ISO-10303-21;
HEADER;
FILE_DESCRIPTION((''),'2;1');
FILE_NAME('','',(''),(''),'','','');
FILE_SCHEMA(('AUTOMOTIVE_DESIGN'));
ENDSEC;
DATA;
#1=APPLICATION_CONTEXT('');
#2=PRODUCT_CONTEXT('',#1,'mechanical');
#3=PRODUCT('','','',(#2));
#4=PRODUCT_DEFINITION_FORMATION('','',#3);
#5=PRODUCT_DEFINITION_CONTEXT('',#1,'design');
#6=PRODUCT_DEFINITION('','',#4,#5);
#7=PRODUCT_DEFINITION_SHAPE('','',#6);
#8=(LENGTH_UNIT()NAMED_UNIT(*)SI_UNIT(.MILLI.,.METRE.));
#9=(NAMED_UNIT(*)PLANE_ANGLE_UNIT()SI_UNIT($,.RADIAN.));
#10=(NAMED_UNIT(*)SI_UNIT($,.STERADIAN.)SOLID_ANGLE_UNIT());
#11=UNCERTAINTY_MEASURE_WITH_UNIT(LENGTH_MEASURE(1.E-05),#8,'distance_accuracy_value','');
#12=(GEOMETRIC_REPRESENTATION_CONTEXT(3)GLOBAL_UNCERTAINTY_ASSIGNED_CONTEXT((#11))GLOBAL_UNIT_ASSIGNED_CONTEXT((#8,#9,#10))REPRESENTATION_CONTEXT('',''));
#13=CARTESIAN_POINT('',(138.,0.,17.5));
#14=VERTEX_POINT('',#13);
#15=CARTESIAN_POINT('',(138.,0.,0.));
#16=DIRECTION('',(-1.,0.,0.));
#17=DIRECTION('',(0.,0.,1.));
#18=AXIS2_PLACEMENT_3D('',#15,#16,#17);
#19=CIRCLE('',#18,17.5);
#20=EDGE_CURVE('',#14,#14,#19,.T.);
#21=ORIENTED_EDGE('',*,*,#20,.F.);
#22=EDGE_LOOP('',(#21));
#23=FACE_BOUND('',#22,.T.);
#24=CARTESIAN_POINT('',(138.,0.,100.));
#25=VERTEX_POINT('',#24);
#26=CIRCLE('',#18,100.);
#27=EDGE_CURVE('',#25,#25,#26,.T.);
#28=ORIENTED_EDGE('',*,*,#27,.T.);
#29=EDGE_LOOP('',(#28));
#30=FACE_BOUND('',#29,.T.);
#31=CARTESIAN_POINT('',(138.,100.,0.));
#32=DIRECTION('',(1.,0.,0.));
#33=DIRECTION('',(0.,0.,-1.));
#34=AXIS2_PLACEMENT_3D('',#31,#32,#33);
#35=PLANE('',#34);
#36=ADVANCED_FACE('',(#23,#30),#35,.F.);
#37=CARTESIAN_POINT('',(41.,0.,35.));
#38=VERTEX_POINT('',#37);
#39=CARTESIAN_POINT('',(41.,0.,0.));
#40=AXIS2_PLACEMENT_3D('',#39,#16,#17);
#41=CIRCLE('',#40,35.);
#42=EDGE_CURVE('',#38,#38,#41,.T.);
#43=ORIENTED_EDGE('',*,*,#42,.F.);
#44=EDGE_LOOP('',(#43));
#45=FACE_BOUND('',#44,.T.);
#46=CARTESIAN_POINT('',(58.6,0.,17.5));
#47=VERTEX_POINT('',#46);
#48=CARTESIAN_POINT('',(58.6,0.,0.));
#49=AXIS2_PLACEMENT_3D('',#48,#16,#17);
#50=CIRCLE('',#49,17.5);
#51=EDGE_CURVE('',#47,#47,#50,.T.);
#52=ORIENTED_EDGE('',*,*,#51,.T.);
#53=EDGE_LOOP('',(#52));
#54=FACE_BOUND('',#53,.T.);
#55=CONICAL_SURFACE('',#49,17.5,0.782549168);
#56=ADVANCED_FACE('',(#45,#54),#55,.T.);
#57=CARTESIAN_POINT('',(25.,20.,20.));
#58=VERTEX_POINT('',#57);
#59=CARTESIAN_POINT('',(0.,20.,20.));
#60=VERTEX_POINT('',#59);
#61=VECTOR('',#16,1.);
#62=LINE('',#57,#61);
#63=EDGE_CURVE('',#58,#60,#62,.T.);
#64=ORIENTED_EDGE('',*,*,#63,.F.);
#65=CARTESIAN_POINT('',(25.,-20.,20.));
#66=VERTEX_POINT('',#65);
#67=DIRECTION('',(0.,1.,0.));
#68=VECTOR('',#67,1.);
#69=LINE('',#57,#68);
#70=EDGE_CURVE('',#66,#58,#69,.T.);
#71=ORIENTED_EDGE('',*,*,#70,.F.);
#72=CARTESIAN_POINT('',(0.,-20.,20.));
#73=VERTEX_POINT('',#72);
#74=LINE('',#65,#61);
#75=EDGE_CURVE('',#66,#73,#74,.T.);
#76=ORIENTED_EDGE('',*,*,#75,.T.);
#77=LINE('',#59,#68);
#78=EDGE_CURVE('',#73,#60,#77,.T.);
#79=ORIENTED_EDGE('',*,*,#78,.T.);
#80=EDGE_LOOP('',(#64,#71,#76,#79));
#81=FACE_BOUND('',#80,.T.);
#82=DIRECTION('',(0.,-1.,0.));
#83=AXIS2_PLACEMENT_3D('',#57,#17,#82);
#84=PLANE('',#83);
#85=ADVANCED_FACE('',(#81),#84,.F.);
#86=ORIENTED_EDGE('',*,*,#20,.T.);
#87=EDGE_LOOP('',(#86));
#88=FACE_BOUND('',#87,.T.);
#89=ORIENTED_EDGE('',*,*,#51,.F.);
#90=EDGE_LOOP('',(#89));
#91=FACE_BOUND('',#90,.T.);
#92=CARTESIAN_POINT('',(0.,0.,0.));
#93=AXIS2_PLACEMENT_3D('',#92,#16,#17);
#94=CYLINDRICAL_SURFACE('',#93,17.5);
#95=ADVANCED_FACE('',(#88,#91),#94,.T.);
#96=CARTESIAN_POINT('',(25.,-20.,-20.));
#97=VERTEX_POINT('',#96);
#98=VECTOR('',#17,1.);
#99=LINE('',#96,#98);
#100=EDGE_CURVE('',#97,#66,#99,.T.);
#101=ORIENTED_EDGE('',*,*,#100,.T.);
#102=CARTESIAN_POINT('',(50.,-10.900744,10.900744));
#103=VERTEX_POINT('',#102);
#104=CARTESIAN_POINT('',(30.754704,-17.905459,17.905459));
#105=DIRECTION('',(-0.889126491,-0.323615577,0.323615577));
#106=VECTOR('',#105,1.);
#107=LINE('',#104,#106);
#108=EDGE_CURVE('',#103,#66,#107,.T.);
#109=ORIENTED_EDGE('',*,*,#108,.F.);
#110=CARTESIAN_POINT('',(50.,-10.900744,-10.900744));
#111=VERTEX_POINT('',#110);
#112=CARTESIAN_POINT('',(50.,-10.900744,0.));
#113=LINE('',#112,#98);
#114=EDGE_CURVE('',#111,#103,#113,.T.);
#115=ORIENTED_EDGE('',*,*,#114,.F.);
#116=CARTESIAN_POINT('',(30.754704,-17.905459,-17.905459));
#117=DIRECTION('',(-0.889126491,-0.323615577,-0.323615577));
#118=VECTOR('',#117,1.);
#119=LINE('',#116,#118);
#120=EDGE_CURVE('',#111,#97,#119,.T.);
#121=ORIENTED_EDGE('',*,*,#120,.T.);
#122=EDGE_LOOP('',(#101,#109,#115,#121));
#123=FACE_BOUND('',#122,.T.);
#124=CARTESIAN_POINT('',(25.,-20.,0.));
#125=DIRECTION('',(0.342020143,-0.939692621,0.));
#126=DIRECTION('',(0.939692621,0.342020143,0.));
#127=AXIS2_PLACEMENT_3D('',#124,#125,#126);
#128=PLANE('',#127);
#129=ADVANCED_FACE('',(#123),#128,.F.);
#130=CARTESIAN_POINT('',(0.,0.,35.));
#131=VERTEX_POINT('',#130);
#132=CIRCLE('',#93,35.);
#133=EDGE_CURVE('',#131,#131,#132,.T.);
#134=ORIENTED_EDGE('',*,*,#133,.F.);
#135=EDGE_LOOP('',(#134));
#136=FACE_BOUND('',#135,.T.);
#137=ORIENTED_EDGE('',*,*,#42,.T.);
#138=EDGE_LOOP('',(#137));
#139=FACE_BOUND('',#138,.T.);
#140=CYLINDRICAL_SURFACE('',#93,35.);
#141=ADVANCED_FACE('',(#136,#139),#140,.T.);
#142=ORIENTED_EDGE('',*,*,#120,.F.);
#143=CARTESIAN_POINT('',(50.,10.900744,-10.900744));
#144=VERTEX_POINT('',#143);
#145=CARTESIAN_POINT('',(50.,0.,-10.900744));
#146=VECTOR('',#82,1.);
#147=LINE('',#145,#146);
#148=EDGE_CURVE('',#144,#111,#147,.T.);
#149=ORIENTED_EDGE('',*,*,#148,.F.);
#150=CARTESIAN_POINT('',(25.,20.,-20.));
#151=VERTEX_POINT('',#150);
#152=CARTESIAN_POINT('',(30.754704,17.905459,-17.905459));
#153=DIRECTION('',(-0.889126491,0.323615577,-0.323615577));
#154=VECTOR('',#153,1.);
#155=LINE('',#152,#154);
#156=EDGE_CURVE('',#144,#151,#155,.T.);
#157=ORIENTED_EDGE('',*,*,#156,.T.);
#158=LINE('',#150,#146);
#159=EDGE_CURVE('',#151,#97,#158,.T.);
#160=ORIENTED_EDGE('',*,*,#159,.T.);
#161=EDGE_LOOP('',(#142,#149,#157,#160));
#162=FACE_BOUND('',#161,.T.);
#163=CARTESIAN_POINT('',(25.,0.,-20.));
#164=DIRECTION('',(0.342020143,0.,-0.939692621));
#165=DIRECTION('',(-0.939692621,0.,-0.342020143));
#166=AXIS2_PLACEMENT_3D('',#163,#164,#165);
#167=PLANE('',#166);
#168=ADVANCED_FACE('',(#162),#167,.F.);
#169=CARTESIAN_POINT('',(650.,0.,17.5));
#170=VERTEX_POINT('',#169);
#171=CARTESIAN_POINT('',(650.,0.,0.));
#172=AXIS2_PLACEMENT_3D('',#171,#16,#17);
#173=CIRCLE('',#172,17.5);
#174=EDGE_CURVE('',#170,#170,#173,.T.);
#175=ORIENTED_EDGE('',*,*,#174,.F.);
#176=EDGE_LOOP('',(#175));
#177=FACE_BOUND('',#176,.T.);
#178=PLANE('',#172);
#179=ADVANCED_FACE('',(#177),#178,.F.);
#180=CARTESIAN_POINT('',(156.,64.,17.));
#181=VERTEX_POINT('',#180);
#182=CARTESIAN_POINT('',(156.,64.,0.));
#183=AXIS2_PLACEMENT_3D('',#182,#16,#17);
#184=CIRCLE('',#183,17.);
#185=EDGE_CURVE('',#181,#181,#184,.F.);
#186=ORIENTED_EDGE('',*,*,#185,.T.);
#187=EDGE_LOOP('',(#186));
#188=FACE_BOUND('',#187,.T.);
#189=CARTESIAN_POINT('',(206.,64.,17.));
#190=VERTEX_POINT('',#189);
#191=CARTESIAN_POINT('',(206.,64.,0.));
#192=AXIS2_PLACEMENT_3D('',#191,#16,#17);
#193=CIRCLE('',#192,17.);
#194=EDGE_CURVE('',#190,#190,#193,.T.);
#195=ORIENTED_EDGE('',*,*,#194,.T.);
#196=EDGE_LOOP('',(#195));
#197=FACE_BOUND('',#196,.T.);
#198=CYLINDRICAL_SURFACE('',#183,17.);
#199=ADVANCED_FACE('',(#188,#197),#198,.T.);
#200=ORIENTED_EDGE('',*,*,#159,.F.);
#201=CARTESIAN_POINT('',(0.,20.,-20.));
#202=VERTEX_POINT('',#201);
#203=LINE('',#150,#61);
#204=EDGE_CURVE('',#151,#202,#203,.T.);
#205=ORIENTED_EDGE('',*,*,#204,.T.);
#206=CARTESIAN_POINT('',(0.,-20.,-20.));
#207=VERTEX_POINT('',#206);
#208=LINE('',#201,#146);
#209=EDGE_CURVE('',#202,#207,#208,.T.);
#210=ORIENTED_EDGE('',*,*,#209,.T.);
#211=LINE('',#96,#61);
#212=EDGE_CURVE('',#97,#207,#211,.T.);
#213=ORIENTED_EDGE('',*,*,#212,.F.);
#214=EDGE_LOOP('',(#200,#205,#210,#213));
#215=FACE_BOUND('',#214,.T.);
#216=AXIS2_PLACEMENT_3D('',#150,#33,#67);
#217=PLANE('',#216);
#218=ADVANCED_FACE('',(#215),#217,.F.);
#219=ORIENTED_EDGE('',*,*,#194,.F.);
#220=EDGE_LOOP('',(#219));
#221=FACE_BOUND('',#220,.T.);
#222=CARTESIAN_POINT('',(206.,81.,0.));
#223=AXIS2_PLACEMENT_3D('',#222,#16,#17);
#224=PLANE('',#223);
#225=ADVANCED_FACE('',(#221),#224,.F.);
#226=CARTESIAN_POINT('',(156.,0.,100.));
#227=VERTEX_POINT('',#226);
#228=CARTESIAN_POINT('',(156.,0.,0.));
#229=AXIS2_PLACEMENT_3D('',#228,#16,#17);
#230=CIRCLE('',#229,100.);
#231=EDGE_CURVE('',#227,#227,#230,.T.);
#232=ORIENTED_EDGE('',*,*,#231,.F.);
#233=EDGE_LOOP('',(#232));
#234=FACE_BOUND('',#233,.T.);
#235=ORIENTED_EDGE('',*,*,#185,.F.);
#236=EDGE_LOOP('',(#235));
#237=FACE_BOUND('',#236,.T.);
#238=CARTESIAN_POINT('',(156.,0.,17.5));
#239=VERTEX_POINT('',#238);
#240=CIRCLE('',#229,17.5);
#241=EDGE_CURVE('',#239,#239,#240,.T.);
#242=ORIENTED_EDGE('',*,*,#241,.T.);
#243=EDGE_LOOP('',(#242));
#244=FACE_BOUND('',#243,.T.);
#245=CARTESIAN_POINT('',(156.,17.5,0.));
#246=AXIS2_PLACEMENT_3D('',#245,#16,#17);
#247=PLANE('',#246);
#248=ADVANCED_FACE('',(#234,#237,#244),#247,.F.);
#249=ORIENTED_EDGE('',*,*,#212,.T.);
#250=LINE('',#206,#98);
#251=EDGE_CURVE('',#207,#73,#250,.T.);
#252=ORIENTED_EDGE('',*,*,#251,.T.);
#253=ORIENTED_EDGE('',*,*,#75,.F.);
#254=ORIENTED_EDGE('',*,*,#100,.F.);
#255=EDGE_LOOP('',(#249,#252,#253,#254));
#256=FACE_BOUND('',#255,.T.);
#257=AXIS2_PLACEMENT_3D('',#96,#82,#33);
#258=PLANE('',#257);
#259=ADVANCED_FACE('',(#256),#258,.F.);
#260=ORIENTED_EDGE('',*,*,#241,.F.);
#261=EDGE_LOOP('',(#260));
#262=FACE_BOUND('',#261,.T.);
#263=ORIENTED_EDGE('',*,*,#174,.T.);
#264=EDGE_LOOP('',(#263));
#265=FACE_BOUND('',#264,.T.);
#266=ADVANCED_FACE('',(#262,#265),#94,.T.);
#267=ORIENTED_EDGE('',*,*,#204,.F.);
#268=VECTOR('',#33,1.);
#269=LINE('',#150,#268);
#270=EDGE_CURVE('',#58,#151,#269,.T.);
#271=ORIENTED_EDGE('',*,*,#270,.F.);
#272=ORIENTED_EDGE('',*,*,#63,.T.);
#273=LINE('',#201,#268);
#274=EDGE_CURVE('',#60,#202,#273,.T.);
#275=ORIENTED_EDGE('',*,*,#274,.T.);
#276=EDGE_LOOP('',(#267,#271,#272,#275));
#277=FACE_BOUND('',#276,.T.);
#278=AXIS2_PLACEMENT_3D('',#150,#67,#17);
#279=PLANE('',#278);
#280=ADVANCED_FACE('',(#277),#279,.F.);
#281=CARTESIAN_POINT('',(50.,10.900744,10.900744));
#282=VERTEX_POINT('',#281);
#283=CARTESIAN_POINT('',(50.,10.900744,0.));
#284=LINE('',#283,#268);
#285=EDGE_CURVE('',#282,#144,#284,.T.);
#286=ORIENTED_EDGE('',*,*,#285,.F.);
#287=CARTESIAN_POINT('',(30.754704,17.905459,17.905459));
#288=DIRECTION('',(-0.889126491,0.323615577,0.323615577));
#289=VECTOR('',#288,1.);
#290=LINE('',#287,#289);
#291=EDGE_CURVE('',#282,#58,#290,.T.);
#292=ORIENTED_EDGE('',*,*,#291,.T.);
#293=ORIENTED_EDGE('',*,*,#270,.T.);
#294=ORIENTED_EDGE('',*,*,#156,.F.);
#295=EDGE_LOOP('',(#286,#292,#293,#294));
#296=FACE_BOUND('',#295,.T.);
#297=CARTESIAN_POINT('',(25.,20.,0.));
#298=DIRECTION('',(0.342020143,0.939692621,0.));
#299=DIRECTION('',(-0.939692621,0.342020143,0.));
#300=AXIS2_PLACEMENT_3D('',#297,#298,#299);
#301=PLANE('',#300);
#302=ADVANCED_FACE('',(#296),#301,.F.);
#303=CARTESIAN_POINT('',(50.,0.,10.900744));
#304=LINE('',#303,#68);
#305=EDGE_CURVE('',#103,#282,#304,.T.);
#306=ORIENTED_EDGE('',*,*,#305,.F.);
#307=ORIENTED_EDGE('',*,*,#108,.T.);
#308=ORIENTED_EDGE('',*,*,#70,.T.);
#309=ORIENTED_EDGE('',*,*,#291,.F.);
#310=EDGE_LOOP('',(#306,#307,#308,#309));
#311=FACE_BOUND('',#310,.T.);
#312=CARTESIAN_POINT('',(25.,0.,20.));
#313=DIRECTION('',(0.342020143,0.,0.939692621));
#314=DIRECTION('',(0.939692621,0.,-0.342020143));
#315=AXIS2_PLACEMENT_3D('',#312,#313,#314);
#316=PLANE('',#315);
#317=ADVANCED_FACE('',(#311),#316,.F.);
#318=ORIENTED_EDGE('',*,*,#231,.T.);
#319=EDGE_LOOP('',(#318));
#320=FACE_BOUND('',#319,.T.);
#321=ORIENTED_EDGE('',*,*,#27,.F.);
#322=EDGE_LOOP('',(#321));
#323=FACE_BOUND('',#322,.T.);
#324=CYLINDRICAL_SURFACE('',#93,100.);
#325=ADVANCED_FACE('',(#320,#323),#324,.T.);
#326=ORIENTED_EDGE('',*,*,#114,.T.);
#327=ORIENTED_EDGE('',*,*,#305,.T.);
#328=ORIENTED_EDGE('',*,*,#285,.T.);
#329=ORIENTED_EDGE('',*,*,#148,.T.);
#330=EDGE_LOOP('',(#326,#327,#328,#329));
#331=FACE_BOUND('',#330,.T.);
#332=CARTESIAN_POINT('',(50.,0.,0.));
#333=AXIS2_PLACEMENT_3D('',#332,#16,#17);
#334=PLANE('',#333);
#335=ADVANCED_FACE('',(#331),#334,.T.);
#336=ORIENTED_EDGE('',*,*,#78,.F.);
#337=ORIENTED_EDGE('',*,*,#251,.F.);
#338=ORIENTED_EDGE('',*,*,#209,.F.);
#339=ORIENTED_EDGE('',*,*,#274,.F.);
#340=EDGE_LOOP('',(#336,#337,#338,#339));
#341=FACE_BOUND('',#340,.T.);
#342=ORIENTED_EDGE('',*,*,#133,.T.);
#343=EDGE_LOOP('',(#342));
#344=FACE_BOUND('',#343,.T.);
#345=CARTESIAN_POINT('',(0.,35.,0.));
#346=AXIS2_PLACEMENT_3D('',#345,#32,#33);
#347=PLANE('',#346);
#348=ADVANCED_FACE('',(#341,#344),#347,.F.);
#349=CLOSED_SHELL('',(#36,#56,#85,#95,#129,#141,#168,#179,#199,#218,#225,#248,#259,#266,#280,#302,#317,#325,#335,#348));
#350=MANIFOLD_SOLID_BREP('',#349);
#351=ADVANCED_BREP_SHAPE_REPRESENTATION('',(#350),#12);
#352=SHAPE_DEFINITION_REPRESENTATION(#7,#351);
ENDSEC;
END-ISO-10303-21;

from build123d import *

# Parameters (mm, degrees)
ESQUISSE2_W             = 50
ESQUISSE2_H             = 17
ESQUISSE3_W             = 40
ESQUISSE3_H             = 40
ENL_V_MAT_EXTRU_1_DEPTH = 25
ENL_V_START             = -25
ESQUISSE3_3_W           = 40
ESQUISSE3_3_H           = 40
ENL_V_MAT_EXTRU_2_DEPTH = 25
ENL_V_MAT_EXTRU_2_DRAFT = -20


with BuildPart() as part:
    # Esquisse1 → Révolution1 (revolve)
    with BuildSketch(Plane.XY, mode=Mode.PRIVATE) as r_volution1_sk:
        Polygon((650, 0), (650, 17.5), (156, 17.5), (156, 100), (138, 100), (138, 17.5), (58.6, 17.5), (41, 35), (0, 35), (0, 0), align=None)
    revolve(r_volution1_sk.sketch.rotate(Axis((0, 0, 0), (1, 0, 0)), 90), axis=Axis((0, 0, 0), (1, 0, 0)))

    # Esquisse2 → Révolution2 (revolve)
    with BuildSketch(Plane.XY, mode=Mode.PRIVATE) as r_volution2_sk:
        with Locations((181, 72.5)):
            Rectangle(ESQUISSE2_W, ESQUISSE2_H)
    revolve(r_volution2_sk.sketch.rotate(Axis((156, 64, 0), (1, 0, 0)), 90), axis=Axis((156, 64, 0), (1, 0, 0)))

    # Esquisse3 → Enlèv. mat.-Extru.1 (cut)
    with BuildSketch(Plane.ZY):
        Rectangle(ESQUISSE3_W, ESQUISSE3_H)
    extrude(amount=-ENL_V_MAT_EXTRU_1_DEPTH, mode=Mode.SUBTRACT)


with BuildPart() as enl_v_mat_extru_2_tool:
    # Esquisse3<3> → Enlèv. mat.-Extru.2 (with draft: the straight prism first)
    with BuildSketch(Plane.ZY.offset(ENL_V_START)):
        Rectangle(ESQUISSE3_3_W, ESQUISSE3_3_H)
    extrude(amount=-ENL_V_MAT_EXTRU_2_DEPTH)
    # Enlèv. mat.-Extru.2: the draft: its side faces are tilted about the plane it starts from
    enl_v_mat_extru_2_sides = [enl_v_mat_extru_2_tool.faces().sort_by_distance(p)[0] for p in [
        (37.5, 0, -20),
        (37.5, -20, 0),
        (37.5, 0, 20),
        (37.5, 20, 0),
    ]]
    draft(enl_v_mat_extru_2_sides, Plane.ZY.offset(ENL_V_START), ENL_V_MAT_EXTRU_2_DRAFT)


with BuildPart() as part_1:
    add(part.part)

    # Enlèv. mat.-Extru.2: cut by enl_v_mat_extru_2_tool
    add(enl_v_mat_extru_2_tool.part, mode=Mode.SUBTRACT)


solid = part_1.part
